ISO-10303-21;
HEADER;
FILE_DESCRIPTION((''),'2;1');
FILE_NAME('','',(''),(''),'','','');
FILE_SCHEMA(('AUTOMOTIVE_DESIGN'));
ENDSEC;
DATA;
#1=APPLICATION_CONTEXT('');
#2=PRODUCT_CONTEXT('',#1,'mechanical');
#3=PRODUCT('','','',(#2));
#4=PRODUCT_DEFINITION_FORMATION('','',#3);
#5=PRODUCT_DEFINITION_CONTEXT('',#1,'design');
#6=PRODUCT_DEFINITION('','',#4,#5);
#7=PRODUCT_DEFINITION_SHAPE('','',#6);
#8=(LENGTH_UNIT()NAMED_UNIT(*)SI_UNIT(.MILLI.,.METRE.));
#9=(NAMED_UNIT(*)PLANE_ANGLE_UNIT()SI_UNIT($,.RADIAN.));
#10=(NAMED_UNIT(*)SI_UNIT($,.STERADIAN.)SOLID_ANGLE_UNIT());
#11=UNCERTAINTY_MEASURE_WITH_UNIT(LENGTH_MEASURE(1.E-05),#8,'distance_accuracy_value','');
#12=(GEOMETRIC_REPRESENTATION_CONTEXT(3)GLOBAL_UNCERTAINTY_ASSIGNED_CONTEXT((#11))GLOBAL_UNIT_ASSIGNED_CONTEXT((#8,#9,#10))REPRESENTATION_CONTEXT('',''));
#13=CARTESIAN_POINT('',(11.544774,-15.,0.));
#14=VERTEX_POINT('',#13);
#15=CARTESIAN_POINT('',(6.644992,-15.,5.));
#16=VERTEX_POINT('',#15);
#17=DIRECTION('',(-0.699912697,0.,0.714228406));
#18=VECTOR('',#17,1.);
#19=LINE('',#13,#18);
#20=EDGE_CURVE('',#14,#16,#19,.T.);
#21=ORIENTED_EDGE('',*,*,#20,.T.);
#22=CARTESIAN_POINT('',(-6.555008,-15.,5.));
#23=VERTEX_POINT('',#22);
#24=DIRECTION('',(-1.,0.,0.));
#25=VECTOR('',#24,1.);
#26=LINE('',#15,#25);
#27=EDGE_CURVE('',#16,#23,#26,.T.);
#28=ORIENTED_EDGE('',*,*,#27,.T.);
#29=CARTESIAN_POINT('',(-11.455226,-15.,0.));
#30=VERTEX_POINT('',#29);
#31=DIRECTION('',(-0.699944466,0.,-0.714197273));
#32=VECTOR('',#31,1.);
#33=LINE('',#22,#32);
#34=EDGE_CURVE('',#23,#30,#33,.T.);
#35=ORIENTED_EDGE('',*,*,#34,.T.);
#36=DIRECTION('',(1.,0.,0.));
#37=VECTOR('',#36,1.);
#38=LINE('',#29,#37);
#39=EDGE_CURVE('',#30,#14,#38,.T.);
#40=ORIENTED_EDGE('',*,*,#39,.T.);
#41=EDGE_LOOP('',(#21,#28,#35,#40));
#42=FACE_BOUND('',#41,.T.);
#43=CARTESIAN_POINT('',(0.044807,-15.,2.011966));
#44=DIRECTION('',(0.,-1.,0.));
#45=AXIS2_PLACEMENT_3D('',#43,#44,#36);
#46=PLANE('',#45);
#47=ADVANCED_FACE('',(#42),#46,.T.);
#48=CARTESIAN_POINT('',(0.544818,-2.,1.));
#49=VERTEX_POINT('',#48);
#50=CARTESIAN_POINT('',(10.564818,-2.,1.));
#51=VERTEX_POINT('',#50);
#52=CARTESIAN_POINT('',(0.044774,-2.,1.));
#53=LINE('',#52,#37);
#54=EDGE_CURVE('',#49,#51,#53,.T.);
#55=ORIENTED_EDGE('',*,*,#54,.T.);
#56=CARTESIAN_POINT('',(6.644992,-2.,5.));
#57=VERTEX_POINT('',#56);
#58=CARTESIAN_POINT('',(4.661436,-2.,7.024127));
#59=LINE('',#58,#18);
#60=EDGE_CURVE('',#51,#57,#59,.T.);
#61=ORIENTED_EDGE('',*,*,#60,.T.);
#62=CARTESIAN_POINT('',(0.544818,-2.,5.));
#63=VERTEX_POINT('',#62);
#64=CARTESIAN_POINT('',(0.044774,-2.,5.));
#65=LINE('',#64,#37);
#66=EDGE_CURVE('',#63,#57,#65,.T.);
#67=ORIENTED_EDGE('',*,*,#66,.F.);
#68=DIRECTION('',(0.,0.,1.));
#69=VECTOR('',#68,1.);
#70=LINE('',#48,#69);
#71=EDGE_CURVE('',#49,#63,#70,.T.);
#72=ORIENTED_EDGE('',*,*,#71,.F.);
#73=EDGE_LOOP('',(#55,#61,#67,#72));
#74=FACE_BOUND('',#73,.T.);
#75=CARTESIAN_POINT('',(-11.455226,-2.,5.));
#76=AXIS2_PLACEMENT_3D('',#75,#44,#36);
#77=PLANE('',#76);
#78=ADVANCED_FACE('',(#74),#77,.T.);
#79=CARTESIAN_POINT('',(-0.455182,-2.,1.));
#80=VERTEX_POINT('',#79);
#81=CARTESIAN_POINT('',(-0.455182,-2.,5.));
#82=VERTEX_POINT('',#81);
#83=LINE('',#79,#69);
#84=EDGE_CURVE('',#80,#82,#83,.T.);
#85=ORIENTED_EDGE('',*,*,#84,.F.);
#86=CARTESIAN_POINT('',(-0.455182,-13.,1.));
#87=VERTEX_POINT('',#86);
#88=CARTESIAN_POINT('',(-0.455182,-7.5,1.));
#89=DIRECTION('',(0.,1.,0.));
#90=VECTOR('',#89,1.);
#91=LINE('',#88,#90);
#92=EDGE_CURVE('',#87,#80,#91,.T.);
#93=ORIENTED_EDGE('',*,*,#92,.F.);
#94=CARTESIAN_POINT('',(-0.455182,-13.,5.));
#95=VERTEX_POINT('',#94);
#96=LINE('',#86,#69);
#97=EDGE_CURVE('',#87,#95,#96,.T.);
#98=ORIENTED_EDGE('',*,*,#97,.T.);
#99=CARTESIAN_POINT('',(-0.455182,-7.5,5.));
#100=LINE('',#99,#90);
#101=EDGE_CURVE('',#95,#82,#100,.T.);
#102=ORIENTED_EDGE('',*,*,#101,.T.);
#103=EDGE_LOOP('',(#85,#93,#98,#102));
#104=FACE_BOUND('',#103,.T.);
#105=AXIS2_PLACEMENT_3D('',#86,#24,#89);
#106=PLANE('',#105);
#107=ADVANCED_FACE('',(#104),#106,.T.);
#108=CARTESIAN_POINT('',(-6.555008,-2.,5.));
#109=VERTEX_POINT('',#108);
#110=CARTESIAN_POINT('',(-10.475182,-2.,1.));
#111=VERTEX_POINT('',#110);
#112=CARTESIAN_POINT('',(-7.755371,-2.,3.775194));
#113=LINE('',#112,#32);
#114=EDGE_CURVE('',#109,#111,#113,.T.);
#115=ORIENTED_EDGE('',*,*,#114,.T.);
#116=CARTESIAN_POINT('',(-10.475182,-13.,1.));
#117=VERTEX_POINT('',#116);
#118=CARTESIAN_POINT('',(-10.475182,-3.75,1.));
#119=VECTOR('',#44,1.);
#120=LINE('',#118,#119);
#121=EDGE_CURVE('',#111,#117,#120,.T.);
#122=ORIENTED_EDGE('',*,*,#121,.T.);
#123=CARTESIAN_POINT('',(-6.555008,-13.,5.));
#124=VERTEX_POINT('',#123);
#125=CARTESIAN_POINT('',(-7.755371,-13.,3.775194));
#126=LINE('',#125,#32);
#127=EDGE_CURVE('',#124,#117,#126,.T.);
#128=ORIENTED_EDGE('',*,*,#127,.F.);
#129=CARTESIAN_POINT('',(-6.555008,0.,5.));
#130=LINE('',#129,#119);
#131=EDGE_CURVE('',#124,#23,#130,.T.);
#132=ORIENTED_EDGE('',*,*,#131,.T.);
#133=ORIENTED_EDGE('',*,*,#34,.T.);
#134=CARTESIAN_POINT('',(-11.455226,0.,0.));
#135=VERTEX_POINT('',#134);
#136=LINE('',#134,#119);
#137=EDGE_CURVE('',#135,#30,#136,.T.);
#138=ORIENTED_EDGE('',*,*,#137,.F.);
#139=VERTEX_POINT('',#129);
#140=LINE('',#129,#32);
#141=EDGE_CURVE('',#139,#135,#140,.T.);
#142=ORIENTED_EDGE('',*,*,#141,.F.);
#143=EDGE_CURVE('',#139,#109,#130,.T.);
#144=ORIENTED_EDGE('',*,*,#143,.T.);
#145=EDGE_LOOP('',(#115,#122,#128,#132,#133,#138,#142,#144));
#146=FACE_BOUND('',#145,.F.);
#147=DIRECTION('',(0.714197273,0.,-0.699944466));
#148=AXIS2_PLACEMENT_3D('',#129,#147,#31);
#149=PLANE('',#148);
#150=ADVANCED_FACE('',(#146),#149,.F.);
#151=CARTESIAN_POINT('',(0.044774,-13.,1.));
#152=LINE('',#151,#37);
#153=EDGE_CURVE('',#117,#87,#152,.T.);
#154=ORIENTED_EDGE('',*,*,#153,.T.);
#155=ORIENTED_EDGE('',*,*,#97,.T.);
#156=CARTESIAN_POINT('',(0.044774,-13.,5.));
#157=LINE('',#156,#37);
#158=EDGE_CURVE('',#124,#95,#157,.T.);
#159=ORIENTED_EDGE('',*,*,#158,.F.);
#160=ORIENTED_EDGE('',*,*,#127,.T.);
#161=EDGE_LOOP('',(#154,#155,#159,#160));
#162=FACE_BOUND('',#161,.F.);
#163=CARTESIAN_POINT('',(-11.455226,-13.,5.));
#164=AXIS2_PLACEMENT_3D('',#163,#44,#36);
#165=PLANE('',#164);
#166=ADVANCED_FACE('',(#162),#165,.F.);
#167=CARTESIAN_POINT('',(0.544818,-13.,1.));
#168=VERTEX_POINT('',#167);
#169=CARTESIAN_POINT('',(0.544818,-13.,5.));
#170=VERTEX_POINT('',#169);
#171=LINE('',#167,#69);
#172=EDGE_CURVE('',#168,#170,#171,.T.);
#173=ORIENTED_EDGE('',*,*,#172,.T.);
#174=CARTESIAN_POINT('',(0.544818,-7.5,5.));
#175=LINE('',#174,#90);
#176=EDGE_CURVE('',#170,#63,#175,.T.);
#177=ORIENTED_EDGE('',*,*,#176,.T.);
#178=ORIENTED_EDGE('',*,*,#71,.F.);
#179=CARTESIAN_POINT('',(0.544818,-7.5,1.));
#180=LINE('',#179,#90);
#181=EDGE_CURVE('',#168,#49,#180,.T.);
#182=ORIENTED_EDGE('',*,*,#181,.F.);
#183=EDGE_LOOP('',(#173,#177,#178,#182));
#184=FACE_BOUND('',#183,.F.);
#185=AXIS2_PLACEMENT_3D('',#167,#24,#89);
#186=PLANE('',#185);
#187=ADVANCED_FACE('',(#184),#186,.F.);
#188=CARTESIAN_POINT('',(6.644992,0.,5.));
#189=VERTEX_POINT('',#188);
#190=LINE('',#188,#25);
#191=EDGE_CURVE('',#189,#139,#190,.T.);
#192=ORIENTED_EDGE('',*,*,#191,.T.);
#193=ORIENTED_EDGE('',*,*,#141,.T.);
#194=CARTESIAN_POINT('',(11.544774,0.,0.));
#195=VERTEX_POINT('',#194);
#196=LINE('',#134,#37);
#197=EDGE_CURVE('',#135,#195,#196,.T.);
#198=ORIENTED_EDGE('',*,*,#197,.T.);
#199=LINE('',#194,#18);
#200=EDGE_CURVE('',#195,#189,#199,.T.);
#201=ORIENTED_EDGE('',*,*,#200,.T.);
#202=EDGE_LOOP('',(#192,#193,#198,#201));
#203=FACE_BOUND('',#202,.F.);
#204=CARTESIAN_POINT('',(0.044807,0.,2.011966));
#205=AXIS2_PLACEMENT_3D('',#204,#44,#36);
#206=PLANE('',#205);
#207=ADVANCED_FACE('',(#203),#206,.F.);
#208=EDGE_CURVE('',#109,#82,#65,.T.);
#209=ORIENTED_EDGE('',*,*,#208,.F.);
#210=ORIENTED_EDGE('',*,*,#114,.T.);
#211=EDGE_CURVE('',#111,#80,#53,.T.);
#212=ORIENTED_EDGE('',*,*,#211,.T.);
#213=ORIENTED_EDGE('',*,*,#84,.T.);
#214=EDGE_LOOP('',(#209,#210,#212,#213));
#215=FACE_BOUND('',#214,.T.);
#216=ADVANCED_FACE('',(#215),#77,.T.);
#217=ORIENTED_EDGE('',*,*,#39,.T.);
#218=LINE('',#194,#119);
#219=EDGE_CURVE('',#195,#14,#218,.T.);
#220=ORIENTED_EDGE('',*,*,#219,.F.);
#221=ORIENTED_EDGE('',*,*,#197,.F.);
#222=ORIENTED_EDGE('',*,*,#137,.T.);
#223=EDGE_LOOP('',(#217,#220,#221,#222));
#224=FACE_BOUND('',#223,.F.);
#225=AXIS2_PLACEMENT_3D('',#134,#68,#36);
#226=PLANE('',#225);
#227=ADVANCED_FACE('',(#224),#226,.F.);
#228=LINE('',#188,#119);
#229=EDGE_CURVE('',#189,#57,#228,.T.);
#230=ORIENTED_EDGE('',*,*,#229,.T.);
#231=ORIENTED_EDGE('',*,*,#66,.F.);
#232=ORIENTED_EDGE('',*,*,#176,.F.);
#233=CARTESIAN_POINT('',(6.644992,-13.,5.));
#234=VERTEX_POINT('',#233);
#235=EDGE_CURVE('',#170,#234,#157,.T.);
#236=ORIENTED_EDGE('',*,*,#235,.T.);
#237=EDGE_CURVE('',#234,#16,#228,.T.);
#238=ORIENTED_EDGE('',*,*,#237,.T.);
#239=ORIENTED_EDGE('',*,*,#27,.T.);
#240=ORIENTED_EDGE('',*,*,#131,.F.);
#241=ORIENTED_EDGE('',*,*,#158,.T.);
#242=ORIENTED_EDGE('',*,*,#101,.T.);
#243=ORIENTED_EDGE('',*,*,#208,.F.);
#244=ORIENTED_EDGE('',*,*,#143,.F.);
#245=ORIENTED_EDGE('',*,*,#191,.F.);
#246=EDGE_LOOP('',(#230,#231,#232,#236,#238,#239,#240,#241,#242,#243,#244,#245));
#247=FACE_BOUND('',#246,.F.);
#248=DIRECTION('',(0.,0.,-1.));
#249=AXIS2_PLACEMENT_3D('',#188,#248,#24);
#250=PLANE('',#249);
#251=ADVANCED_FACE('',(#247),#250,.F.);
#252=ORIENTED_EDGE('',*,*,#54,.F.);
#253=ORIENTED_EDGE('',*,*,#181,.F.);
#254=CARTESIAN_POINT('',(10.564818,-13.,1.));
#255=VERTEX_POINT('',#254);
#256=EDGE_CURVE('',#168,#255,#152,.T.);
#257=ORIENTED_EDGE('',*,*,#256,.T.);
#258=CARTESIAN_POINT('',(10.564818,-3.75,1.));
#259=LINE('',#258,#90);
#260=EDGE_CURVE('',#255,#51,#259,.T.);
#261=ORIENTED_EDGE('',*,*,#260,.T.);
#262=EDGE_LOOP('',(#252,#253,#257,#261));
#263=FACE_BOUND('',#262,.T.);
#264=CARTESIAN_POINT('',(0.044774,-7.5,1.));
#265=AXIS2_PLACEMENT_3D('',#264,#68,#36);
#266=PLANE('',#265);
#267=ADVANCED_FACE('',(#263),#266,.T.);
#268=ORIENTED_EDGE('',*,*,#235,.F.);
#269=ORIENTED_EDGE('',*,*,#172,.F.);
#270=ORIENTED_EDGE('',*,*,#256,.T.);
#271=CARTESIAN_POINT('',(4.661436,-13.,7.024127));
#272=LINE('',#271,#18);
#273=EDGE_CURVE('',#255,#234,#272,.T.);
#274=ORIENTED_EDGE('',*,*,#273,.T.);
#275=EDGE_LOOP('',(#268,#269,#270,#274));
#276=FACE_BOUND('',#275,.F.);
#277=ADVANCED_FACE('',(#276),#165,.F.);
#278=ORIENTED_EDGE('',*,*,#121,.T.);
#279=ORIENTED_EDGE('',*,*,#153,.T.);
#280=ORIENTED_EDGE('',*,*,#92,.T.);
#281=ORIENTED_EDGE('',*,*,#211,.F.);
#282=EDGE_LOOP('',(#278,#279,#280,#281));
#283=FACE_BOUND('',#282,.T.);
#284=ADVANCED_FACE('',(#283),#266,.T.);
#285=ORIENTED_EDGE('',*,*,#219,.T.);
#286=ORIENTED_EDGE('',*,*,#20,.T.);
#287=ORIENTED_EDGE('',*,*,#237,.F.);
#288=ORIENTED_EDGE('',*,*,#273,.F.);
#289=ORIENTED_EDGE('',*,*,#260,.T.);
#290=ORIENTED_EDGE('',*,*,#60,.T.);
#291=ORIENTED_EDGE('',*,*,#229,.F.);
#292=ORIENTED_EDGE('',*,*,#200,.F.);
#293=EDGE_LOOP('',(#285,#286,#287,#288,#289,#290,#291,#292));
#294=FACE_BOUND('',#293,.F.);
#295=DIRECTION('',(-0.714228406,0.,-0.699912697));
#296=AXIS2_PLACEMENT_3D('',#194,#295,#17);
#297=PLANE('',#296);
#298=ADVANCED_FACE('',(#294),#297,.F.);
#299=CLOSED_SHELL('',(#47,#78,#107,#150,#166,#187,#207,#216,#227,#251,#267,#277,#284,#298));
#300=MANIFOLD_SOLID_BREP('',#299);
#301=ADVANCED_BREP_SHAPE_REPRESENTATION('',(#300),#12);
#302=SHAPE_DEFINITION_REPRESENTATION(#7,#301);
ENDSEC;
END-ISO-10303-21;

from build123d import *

# Parameters (mm, degrees)
F1_DEPTH = 15
F2_W     = 23
F2_H     = 11
F3_DEPTH = 4
F4_W     = 1
F4_H     = 11
F5_DEPTH = 4


with BuildPart() as f1:
    # F0 (on Front) → F1 (new body)
    with BuildSketch(Plane.XZ):
        Polygon((-6.555008, 5), (-11.455226, 0), (11.544774, 0), (6.644992, 5), align=None)
    extrude(amount=F1_DEPTH)

    # F2 (on face) → F3 (cut)
    with BuildSketch(Plane.XY.offset(5)):
        with Locations((0.044774, -7.5)):
            Rectangle(F2_W, F2_H)
    extrude(amount=-F3_DEPTH, mode=Mode.SUBTRACT)

    # F4 (on face) → F5 (join)
    with BuildSketch(Plane.XY.offset(1)):
        with Locations((0.044818, -7.5)):
            Rectangle(F4_W, F4_H)
    extrude(amount=F5_DEPTH)


solid = f1.part
